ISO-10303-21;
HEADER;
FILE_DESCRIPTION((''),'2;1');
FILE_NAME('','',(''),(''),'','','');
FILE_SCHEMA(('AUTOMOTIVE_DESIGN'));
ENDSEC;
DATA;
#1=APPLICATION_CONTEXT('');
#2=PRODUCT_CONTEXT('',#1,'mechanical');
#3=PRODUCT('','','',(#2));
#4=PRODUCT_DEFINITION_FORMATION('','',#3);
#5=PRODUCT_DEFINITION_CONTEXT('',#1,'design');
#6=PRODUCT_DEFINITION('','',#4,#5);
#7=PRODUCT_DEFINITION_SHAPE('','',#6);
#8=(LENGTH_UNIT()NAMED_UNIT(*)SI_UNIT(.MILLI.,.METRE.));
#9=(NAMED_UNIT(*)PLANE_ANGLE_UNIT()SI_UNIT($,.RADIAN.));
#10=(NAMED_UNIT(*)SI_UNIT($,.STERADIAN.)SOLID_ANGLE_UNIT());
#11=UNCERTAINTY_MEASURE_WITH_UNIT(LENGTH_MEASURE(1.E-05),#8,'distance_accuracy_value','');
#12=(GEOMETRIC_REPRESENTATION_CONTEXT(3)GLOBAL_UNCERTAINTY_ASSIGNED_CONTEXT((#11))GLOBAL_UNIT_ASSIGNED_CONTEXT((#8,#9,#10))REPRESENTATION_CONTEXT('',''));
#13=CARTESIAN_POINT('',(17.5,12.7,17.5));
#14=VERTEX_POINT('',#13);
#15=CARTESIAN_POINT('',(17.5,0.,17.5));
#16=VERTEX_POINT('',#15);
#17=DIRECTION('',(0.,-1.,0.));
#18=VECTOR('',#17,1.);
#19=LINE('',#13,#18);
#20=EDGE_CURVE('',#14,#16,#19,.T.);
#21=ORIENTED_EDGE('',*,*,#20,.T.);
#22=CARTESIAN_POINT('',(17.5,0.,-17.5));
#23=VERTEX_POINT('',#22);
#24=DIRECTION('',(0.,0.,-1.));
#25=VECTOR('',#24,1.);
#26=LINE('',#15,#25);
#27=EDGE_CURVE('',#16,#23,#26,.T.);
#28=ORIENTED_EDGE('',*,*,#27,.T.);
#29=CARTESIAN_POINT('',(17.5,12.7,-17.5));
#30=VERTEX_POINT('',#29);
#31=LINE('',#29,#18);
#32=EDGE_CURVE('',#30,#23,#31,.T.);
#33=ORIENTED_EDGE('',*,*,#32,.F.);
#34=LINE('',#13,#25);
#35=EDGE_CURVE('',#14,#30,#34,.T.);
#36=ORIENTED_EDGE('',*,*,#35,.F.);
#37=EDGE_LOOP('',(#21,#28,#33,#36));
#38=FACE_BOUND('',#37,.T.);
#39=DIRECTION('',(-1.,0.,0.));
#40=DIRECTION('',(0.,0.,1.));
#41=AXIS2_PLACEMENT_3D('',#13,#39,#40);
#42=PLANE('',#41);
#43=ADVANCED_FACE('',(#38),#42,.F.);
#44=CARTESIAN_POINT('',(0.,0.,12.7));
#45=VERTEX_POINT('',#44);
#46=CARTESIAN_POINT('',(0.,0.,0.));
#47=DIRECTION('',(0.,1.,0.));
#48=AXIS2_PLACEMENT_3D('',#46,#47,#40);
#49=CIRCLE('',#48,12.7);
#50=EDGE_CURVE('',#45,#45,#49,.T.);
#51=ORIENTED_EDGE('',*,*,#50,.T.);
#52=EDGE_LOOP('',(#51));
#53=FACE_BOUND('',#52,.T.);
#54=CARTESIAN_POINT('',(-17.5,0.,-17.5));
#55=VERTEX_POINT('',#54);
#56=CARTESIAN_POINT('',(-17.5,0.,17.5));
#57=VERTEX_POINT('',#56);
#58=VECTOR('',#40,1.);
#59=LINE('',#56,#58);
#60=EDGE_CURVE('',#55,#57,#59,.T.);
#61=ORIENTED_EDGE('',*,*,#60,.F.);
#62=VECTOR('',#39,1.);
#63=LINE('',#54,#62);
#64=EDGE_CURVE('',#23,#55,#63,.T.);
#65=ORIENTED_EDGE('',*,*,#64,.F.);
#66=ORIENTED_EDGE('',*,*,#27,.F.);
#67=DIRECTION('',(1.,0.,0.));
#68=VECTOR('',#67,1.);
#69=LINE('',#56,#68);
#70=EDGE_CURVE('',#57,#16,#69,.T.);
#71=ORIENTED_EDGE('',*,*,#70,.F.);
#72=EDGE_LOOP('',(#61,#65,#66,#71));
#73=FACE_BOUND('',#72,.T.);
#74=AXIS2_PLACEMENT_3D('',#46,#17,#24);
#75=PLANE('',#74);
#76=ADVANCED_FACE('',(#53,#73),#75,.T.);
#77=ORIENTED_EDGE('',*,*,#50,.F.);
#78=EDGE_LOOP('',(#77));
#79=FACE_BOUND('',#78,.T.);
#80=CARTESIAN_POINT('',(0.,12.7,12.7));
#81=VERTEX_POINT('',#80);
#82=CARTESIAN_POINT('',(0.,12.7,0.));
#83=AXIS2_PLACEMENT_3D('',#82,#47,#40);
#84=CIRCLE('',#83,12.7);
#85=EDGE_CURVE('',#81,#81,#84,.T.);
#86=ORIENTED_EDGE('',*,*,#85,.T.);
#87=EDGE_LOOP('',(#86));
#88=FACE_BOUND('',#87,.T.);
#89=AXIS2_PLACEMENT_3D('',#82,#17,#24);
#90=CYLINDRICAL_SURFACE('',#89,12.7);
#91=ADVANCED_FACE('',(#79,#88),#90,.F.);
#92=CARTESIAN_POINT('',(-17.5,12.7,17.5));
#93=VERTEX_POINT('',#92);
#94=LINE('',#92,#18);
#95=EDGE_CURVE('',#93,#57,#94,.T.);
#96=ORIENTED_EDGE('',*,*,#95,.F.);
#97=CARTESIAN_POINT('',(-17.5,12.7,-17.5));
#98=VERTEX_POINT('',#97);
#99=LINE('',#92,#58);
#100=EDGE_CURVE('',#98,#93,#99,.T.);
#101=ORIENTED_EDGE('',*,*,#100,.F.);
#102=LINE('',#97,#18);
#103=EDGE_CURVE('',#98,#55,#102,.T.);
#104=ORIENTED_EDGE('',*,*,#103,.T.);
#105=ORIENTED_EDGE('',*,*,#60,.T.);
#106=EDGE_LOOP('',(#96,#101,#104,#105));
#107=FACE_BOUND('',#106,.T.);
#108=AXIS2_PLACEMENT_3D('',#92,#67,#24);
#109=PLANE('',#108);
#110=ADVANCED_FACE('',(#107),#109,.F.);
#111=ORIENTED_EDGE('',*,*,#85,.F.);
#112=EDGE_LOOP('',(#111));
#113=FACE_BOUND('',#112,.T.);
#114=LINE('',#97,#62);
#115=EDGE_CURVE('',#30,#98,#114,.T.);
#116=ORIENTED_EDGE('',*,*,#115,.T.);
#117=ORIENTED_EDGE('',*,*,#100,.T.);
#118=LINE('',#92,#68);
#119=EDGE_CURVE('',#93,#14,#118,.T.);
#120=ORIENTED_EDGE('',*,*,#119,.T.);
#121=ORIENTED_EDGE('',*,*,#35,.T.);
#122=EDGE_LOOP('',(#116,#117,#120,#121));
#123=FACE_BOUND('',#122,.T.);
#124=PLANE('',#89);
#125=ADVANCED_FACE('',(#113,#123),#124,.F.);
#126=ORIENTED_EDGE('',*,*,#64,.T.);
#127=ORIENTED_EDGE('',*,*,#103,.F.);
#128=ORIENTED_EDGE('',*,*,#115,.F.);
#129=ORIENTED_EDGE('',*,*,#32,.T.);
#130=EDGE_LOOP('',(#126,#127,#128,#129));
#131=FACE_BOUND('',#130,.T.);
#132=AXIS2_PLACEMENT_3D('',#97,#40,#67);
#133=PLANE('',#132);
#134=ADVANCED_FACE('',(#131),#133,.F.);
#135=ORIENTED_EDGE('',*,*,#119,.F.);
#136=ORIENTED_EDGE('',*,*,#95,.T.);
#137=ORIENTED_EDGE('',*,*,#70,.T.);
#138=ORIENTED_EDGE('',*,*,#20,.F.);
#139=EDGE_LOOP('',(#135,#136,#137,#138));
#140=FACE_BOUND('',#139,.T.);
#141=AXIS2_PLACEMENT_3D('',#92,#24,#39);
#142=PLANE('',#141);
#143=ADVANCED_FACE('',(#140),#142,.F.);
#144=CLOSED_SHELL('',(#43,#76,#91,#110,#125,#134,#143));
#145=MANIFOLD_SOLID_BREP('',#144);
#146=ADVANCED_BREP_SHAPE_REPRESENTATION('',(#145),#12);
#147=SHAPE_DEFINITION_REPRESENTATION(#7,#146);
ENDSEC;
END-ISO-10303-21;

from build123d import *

# Parameters (mm, degrees)
SKETCH1_W           = 35
SKETCH1_H           = 35
SKETCH1_R           = 12.7
BOSS_EXTRUDE1_DEPTH = 12.7


with BuildPart() as part:
    # Sketch1 → Boss-Extrude1 (new body)
    with BuildSketch(Plane(origin=(0, 0, 0), x_dir=(1, 0, 0), z_dir=(0, 1, 0))):
        Rectangle(SKETCH1_W, SKETCH1_H)
        with Locations(Location((0, 0, 0), (0, 0, 270))):
            Circle(SKETCH1_R, mode=Mode.SUBTRACT)
    extrude(amount=BOSS_EXTRUDE1_DEPTH)


solid = part.part
